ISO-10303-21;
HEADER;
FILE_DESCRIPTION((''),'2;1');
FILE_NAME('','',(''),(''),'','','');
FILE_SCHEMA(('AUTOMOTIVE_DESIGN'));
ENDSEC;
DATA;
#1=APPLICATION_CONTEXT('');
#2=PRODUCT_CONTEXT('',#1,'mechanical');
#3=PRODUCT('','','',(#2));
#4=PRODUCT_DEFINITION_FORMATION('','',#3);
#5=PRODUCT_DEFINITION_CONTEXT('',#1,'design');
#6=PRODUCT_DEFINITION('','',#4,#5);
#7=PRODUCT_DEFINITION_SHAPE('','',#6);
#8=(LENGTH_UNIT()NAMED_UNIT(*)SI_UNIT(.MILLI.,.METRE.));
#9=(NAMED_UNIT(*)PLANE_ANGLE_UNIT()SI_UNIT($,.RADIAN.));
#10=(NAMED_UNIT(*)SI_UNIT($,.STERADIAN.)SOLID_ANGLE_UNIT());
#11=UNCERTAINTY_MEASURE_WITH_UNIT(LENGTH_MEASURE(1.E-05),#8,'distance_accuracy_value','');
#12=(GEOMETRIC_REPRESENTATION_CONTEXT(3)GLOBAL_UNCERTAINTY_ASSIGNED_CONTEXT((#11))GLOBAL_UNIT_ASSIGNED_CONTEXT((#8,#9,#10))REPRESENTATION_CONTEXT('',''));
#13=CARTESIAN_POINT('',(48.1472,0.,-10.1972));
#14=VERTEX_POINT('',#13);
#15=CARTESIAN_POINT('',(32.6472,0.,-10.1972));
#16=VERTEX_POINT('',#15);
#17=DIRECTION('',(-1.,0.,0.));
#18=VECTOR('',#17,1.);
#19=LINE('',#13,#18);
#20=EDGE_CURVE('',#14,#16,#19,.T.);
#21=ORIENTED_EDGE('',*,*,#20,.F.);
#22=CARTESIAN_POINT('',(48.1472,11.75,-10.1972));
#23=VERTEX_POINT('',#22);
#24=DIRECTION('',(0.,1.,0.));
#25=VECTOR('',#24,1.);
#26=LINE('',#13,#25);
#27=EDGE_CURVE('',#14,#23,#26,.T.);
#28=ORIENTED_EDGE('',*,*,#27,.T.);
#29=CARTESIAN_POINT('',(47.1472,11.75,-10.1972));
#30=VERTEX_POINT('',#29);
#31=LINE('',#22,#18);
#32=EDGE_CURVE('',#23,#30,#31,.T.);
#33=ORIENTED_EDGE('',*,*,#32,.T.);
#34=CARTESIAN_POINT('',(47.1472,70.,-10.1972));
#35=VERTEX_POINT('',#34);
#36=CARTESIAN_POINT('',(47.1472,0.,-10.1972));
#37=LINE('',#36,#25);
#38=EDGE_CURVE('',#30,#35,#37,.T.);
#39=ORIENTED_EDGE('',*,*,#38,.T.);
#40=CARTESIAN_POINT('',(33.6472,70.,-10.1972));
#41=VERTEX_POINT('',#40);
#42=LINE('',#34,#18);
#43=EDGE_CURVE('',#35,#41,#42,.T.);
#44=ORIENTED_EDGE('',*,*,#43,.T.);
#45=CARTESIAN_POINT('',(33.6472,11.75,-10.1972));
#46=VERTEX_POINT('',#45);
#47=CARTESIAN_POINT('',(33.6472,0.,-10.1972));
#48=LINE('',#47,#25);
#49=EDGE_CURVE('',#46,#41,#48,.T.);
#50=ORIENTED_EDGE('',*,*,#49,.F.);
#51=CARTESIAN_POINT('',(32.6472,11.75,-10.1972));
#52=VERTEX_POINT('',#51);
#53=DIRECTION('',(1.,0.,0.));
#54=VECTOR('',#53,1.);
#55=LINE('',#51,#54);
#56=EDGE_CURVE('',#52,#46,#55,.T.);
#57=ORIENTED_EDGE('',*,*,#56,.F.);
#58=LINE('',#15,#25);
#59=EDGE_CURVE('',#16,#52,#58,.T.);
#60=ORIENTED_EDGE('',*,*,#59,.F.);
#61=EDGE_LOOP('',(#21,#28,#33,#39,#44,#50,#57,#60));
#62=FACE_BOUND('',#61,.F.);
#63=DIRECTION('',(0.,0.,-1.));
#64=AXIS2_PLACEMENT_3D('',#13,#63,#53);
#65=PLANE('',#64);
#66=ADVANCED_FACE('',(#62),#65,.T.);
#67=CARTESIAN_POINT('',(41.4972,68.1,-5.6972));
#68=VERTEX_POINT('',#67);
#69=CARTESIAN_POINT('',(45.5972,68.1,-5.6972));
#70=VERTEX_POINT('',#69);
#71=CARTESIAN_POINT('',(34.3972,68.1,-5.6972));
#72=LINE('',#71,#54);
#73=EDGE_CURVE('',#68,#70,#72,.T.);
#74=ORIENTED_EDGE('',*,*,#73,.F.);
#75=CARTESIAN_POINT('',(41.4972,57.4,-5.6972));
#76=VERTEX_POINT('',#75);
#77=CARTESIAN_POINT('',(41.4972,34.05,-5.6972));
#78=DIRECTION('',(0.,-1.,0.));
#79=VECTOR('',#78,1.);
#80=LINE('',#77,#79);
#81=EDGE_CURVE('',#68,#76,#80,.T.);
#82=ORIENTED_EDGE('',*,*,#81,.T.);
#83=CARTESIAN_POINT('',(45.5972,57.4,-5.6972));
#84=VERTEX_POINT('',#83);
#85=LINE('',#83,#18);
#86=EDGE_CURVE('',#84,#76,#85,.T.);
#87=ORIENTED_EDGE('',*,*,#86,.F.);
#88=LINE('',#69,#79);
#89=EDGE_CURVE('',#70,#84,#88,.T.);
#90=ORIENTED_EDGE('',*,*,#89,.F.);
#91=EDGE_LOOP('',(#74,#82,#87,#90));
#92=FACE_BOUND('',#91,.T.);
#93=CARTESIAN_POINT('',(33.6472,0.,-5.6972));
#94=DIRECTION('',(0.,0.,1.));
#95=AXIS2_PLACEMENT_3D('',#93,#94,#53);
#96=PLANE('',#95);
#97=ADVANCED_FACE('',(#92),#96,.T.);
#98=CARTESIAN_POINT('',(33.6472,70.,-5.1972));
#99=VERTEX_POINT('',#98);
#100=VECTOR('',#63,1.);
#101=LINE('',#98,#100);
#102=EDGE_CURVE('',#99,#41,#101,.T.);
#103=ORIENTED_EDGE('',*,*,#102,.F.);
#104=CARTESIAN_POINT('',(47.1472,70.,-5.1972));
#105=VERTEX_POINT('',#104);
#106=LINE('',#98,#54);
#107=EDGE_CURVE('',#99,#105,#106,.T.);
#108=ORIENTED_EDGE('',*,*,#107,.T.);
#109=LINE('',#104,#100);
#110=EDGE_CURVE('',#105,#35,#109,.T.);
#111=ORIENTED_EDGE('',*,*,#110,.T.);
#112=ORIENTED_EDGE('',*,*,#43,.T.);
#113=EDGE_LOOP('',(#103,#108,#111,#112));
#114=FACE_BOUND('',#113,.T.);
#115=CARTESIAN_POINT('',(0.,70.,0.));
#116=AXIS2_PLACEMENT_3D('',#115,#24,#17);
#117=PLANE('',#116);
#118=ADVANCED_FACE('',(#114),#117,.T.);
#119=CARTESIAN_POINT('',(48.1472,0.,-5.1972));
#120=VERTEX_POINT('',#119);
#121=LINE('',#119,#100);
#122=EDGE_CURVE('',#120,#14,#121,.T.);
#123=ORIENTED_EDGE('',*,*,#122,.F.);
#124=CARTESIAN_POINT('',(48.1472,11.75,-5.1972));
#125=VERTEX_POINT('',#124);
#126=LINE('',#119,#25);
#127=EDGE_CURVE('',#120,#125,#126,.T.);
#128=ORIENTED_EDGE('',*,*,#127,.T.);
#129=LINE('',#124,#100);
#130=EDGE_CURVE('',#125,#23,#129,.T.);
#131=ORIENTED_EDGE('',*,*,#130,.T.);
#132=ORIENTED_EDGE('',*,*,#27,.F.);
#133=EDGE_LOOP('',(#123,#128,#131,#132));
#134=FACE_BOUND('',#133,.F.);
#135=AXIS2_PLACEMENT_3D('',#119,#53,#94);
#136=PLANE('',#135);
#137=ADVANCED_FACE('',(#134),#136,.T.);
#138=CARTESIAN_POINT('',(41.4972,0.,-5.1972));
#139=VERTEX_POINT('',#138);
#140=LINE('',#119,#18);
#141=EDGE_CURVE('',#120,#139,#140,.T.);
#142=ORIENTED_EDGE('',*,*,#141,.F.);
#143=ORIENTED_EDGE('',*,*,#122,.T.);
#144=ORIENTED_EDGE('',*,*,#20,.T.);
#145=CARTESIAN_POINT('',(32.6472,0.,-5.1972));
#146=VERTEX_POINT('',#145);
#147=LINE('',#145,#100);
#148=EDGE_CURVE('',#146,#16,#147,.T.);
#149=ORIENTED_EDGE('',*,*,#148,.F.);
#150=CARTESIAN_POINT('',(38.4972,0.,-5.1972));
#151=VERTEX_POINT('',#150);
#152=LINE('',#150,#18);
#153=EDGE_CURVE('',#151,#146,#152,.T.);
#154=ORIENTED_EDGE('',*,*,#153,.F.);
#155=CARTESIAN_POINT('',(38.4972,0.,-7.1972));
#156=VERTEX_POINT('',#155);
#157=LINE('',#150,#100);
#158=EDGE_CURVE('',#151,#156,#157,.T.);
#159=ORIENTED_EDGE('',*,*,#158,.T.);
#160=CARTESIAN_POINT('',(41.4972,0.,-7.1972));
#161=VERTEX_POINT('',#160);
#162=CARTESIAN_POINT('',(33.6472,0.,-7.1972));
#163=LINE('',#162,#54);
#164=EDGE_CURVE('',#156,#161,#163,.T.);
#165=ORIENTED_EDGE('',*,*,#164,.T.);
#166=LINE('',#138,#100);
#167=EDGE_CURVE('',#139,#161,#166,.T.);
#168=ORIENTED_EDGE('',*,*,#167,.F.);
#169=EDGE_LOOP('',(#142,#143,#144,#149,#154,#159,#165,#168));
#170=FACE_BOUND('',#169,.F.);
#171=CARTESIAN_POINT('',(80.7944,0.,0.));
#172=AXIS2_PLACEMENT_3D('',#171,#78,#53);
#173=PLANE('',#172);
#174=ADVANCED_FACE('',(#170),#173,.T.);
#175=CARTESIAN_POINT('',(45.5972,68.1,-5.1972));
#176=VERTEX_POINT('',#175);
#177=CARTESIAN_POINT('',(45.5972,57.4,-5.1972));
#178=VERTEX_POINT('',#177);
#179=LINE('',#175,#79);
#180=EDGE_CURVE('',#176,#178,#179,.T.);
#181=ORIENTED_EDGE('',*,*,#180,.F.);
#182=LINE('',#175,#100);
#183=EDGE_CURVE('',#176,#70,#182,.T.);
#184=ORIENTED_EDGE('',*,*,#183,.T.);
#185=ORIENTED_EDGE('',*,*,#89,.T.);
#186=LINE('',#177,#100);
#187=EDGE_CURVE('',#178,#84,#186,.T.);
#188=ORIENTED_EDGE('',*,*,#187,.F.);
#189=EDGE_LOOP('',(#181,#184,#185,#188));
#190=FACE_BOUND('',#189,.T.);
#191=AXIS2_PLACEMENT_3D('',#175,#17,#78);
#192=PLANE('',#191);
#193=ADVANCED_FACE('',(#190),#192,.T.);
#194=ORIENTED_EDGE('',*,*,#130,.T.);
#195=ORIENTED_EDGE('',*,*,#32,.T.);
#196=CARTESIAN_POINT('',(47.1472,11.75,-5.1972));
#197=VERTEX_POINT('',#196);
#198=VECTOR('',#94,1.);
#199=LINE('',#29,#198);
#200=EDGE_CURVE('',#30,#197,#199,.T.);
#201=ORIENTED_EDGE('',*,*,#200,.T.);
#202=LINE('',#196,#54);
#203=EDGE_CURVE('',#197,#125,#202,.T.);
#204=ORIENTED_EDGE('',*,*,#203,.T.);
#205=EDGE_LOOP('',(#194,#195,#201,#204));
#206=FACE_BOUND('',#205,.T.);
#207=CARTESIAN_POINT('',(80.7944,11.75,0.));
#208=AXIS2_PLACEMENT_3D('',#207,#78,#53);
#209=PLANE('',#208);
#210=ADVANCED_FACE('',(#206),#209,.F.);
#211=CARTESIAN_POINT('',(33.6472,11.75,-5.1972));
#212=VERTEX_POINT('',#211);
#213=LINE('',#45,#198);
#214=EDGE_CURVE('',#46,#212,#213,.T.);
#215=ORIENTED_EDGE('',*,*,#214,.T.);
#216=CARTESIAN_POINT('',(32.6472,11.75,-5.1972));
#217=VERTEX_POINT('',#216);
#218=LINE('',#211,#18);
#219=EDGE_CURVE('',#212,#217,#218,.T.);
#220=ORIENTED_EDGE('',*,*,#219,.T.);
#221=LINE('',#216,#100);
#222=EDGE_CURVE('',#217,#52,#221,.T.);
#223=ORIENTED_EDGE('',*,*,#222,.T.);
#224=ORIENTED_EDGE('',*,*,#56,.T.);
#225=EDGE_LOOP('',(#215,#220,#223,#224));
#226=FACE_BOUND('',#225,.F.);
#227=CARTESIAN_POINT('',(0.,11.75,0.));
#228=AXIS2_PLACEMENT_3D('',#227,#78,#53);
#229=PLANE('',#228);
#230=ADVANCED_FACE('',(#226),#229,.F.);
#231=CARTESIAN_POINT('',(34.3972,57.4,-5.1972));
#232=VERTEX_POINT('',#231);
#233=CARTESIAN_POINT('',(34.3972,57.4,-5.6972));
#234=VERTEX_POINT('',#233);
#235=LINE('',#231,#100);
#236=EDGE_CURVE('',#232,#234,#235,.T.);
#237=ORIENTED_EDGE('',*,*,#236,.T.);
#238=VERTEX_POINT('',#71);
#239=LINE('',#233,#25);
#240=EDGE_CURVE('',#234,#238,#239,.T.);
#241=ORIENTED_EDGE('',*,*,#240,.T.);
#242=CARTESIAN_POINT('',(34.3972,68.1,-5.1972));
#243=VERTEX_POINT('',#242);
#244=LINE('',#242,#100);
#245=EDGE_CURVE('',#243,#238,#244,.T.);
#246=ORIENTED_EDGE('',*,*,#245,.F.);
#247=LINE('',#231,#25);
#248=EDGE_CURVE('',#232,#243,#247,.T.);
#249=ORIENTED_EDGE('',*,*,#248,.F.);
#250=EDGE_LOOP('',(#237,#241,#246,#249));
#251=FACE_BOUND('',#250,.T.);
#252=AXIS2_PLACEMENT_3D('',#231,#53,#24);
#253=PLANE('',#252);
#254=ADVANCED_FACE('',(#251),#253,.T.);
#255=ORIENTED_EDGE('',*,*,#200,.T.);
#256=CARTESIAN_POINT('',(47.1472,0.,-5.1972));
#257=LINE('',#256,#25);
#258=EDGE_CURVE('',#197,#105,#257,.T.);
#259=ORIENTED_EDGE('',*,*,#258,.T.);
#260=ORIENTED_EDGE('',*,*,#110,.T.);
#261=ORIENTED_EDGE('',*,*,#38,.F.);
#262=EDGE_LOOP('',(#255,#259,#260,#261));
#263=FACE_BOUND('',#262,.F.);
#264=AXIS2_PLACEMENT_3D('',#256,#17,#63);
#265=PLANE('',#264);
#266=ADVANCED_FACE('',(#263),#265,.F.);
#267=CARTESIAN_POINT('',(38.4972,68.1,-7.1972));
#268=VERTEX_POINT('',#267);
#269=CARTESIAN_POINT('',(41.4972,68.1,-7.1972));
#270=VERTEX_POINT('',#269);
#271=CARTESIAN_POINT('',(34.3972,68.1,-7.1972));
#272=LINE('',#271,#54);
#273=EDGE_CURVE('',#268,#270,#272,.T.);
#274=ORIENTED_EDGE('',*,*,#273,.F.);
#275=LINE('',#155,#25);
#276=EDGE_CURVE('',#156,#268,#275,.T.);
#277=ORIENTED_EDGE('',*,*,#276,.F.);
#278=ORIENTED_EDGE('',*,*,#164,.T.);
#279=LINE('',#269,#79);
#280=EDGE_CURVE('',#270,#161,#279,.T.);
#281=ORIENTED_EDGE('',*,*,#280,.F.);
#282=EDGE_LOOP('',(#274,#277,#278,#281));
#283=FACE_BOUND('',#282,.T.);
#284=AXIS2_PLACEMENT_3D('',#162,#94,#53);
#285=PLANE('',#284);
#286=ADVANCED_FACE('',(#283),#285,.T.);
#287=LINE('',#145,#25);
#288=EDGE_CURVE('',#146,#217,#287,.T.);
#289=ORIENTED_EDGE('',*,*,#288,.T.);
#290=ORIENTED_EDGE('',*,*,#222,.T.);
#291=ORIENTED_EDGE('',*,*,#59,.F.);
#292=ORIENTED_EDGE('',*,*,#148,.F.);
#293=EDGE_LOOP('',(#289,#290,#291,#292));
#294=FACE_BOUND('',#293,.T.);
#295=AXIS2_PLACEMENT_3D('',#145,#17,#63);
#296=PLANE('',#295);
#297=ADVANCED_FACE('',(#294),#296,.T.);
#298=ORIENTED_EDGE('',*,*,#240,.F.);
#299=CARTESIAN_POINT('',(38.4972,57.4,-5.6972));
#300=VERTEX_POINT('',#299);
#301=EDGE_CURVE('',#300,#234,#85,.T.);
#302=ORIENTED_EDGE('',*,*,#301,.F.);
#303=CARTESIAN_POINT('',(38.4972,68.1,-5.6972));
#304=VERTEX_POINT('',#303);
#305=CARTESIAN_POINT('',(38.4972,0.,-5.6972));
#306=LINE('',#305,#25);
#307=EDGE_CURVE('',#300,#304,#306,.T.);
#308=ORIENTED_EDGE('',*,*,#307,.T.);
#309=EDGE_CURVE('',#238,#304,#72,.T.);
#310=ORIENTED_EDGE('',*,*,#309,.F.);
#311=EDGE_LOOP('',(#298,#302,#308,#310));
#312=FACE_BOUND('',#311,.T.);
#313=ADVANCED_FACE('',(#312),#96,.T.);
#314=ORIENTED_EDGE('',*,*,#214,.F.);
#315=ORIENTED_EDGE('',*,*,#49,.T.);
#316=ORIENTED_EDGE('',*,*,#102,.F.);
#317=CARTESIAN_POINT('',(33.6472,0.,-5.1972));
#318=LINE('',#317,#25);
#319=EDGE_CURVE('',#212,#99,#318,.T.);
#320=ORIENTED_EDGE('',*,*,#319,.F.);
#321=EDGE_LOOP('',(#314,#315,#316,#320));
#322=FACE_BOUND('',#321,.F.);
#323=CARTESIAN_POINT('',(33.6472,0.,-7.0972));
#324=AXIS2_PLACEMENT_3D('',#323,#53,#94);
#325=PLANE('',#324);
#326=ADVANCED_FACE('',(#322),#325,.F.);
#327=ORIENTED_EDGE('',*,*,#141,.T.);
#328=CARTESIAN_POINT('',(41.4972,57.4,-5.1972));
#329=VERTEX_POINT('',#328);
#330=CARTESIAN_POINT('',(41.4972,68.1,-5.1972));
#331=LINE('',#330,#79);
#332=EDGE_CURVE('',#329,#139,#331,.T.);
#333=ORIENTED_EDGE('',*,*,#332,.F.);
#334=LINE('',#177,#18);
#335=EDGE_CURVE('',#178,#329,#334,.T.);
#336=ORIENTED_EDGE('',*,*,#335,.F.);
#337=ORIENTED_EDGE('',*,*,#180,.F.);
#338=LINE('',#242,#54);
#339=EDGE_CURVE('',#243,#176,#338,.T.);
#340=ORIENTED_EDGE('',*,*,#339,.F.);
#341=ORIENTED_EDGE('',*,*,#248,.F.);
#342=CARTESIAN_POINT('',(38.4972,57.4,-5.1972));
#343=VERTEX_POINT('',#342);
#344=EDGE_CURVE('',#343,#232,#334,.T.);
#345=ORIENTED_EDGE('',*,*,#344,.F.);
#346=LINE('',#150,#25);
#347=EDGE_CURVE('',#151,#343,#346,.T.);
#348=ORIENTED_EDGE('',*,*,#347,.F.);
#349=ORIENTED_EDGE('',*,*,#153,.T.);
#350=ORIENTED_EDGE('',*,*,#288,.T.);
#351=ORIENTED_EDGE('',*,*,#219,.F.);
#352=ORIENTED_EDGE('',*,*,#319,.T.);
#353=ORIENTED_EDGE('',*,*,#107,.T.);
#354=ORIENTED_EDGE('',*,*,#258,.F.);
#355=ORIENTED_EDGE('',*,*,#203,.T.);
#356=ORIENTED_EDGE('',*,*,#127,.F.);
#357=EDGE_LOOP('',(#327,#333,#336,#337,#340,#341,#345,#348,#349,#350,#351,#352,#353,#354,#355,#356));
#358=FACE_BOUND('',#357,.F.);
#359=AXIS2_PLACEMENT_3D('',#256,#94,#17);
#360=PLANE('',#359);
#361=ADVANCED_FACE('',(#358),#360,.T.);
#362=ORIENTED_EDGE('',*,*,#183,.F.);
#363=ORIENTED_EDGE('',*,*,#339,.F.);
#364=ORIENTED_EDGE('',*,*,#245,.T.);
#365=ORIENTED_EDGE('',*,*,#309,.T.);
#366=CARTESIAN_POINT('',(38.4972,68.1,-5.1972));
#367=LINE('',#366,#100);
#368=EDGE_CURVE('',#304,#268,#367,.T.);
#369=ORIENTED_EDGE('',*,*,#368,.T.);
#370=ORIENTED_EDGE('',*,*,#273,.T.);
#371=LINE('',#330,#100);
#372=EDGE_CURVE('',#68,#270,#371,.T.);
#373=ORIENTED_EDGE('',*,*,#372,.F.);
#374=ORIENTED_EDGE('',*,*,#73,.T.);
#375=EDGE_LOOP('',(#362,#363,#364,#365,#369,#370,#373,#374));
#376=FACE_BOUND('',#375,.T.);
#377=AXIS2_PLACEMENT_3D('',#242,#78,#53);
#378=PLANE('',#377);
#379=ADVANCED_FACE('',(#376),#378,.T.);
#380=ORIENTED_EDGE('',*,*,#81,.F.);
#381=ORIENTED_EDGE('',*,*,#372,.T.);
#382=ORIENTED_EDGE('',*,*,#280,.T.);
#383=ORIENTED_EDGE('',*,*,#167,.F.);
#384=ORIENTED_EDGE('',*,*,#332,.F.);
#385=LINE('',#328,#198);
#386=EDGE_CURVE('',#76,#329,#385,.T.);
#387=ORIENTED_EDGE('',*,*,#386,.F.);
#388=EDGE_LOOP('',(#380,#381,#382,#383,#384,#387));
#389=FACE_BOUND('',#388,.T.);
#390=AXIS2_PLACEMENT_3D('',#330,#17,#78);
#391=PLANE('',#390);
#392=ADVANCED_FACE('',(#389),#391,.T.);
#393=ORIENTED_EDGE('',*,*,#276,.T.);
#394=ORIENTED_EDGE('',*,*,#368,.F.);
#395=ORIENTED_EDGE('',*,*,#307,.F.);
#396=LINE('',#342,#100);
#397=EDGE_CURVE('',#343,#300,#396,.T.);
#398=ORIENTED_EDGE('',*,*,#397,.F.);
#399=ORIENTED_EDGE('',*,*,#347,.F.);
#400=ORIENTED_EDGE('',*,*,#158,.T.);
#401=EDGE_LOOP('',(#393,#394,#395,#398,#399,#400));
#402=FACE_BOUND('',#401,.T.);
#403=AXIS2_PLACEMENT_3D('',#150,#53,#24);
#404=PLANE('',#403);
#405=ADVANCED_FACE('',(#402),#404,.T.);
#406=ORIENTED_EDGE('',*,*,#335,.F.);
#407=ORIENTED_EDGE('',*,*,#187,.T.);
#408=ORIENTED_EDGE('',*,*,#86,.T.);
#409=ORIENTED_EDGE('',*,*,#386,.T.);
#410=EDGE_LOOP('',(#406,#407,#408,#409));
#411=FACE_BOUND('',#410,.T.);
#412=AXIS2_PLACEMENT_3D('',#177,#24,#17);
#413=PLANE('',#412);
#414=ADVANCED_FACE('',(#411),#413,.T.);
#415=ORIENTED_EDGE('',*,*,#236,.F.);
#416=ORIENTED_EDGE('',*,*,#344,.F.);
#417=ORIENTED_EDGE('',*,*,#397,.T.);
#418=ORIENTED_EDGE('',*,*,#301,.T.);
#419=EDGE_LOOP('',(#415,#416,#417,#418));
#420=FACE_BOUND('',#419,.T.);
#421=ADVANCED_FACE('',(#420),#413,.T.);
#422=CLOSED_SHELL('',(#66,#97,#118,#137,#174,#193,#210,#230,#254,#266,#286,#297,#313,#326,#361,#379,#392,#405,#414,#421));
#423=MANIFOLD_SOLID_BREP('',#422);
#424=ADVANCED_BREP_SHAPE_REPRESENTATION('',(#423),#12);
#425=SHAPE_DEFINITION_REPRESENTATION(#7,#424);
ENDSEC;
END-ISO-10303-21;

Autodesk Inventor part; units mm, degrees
ref_plane "YZ Plane" through (0, 0, 0) normal (1, 0, 0) x (0, 1, 0)
ref_plane "XZ Plane" through (0, 0, 0) normal (0, 1, 0) x (-1, 0, 0)
ref_plane "XY Plane" through (0, 0, 0) normal (0, 0, 1) x (1, 0, 0)
sketch "Skizze4" plane through (0, 0, 0) normal (0, 1, 0) x (-1, 0, 0)
  line L0 (-33.6472, -5.1972) -> (-47.1472, -5.1972)
  line L1 (-47.1472, -5.1972) -> (-47.1472, -7.0972)
  line L2 (-47.1472, -7.0972) -> (-47.1472, -7.0972)
  line L3 (-47.1472, -7.0972) -> (-47.1472, -8.2972)
  line L4 (-47.1472, -8.2972) -> (-47.1472, -8.2972)
  line L5 (-47.1472, -8.2972) -> (-47.1472, -10.1972)
  line L6 (-47.1472, -10.1972) -> (-33.6472, -10.1972)
  line L7 (-33.6472, -10.1972) -> (-33.6472, -8.2972)
  line L8 (-33.6472, -8.2972) -> (-33.6472, -8.2972)
  line L9 (-33.6472, -8.2972) -> (-33.6472, -7.0972)
  line L10 (-33.6472, -7.0972) -> (-33.6472, -7.0972)
  line L11 (-33.6472, -7.0972) -> (-33.6472, -5.1972)
  dimension "Kerbentiefe" = 0
  dimension "b_Halter" = 13.5
  dimension "d12" = 0
  dimension "Kerbenbreite" = 1.2
  dimension "d_Halter" = 5
extrude "Extrusion3" add sketch "Skizze4" along normal blind 70
sketch "Skizze6" plane through (33.6472, 0, -5.1972) normal (0, 0, 1) x (1, 0, 0)
  line L0 (0, 70) -> (13.5, 70) projected
  line L1 (0.75, 68.1) -> (11.95, 68.1)
  line L2 (11.95, 68.1) -> (11.95, 57.4)
  line L3 (11.95, 57.4) -> (0.75, 57.4)
  line L4 (0.75, 57.4) -> (0.75, 68.1)
  line L5 (0, 0) -> (13.5, 0) projected
  line L6 (6.75, 70) -> (6.75, 0) construction
  dimension "d20" = 1.9
  dimension "d21" = 10.7
  dimension "d22" = 11.2
  dimension "d31" = 5.2
extrude "Extrusion5" cut sketch "Skizze6" against normal blind 0.5
sketch "Skizze7" plane through (33.6472, 0, -5.1972) normal (0, 0, 1) x (1, 0, 0)
  line L0 (0.75, 68.1) -> (11.95, 68.1) projected
  line L1 (0, 0) -> (13.5, 0) projected
  line L2 (0.75, 68.1) -> (11.95, 68.1) projected
  line L3 (4.85, 68.1) -> (7.85, 68.1)
  line L4 (7.85, 68.1) -> (7.85, 0)
  line L5 (7.85, 0) -> (4.85, 0)
  line L6 (4.85, 0) -> (4.85, 68.1)
  line L7 (0.75, 57.4) -> (0.75, 68.1) projected
  dimension "d26" = 3
  dimension "d32" = 4.1
extrude "Extrusion6" cut sketch "Skizze7" against normal blind 2
ref_plane "hor_Strahlebene" through (34.3972, 62.75, -5.1972) normal (0, 1, 0) x (1, 0, 0)
ref_plane "Ebene_Anschlag2" through (34.3972, 11.75, -5.1972) normal (0, 1, 0) x (1, 0, 0)
sketch "Skizze10" plane through (0, 0, 0) normal (0, -1, 0) x (1, 0, 0)
  line L0 (33.6472, -5.1972) -> (32.6472, -5.1972)
  line L1 (32.6472, -5.1972) -> (32.6472, -10.1972)
  line L2 (32.6472, -10.1972) -> (33.6472, -10.1972)
  line L3 (33.6472, -10.1972) -> (33.6472, -5.1972)
  dimension "d36" = 1
extrude "Extrusion8" add sketch "Skizze10" against normal up to surface (11.75 mm away)
ref_plane "Mittelebene_Halter" through (40.3972, 70, -10.1972) normal (-1, 0, 0) x (0, 0, 1)
mirror "Spiegeln1" about plane through (40.3972, 70, -10.1972) normal (-1, 0, 0) of "Extrusion8"
ref_plane "Arbeitsebene4" through (40.3972, 70, -10.1972) normal (-1, 0, 0) x (0, 0, 1)
equation "\"d32\" = -0.5 * d26 + 0.5 * d22"
properties part number "Halter_PP" material "ABS-Kunststoff"
